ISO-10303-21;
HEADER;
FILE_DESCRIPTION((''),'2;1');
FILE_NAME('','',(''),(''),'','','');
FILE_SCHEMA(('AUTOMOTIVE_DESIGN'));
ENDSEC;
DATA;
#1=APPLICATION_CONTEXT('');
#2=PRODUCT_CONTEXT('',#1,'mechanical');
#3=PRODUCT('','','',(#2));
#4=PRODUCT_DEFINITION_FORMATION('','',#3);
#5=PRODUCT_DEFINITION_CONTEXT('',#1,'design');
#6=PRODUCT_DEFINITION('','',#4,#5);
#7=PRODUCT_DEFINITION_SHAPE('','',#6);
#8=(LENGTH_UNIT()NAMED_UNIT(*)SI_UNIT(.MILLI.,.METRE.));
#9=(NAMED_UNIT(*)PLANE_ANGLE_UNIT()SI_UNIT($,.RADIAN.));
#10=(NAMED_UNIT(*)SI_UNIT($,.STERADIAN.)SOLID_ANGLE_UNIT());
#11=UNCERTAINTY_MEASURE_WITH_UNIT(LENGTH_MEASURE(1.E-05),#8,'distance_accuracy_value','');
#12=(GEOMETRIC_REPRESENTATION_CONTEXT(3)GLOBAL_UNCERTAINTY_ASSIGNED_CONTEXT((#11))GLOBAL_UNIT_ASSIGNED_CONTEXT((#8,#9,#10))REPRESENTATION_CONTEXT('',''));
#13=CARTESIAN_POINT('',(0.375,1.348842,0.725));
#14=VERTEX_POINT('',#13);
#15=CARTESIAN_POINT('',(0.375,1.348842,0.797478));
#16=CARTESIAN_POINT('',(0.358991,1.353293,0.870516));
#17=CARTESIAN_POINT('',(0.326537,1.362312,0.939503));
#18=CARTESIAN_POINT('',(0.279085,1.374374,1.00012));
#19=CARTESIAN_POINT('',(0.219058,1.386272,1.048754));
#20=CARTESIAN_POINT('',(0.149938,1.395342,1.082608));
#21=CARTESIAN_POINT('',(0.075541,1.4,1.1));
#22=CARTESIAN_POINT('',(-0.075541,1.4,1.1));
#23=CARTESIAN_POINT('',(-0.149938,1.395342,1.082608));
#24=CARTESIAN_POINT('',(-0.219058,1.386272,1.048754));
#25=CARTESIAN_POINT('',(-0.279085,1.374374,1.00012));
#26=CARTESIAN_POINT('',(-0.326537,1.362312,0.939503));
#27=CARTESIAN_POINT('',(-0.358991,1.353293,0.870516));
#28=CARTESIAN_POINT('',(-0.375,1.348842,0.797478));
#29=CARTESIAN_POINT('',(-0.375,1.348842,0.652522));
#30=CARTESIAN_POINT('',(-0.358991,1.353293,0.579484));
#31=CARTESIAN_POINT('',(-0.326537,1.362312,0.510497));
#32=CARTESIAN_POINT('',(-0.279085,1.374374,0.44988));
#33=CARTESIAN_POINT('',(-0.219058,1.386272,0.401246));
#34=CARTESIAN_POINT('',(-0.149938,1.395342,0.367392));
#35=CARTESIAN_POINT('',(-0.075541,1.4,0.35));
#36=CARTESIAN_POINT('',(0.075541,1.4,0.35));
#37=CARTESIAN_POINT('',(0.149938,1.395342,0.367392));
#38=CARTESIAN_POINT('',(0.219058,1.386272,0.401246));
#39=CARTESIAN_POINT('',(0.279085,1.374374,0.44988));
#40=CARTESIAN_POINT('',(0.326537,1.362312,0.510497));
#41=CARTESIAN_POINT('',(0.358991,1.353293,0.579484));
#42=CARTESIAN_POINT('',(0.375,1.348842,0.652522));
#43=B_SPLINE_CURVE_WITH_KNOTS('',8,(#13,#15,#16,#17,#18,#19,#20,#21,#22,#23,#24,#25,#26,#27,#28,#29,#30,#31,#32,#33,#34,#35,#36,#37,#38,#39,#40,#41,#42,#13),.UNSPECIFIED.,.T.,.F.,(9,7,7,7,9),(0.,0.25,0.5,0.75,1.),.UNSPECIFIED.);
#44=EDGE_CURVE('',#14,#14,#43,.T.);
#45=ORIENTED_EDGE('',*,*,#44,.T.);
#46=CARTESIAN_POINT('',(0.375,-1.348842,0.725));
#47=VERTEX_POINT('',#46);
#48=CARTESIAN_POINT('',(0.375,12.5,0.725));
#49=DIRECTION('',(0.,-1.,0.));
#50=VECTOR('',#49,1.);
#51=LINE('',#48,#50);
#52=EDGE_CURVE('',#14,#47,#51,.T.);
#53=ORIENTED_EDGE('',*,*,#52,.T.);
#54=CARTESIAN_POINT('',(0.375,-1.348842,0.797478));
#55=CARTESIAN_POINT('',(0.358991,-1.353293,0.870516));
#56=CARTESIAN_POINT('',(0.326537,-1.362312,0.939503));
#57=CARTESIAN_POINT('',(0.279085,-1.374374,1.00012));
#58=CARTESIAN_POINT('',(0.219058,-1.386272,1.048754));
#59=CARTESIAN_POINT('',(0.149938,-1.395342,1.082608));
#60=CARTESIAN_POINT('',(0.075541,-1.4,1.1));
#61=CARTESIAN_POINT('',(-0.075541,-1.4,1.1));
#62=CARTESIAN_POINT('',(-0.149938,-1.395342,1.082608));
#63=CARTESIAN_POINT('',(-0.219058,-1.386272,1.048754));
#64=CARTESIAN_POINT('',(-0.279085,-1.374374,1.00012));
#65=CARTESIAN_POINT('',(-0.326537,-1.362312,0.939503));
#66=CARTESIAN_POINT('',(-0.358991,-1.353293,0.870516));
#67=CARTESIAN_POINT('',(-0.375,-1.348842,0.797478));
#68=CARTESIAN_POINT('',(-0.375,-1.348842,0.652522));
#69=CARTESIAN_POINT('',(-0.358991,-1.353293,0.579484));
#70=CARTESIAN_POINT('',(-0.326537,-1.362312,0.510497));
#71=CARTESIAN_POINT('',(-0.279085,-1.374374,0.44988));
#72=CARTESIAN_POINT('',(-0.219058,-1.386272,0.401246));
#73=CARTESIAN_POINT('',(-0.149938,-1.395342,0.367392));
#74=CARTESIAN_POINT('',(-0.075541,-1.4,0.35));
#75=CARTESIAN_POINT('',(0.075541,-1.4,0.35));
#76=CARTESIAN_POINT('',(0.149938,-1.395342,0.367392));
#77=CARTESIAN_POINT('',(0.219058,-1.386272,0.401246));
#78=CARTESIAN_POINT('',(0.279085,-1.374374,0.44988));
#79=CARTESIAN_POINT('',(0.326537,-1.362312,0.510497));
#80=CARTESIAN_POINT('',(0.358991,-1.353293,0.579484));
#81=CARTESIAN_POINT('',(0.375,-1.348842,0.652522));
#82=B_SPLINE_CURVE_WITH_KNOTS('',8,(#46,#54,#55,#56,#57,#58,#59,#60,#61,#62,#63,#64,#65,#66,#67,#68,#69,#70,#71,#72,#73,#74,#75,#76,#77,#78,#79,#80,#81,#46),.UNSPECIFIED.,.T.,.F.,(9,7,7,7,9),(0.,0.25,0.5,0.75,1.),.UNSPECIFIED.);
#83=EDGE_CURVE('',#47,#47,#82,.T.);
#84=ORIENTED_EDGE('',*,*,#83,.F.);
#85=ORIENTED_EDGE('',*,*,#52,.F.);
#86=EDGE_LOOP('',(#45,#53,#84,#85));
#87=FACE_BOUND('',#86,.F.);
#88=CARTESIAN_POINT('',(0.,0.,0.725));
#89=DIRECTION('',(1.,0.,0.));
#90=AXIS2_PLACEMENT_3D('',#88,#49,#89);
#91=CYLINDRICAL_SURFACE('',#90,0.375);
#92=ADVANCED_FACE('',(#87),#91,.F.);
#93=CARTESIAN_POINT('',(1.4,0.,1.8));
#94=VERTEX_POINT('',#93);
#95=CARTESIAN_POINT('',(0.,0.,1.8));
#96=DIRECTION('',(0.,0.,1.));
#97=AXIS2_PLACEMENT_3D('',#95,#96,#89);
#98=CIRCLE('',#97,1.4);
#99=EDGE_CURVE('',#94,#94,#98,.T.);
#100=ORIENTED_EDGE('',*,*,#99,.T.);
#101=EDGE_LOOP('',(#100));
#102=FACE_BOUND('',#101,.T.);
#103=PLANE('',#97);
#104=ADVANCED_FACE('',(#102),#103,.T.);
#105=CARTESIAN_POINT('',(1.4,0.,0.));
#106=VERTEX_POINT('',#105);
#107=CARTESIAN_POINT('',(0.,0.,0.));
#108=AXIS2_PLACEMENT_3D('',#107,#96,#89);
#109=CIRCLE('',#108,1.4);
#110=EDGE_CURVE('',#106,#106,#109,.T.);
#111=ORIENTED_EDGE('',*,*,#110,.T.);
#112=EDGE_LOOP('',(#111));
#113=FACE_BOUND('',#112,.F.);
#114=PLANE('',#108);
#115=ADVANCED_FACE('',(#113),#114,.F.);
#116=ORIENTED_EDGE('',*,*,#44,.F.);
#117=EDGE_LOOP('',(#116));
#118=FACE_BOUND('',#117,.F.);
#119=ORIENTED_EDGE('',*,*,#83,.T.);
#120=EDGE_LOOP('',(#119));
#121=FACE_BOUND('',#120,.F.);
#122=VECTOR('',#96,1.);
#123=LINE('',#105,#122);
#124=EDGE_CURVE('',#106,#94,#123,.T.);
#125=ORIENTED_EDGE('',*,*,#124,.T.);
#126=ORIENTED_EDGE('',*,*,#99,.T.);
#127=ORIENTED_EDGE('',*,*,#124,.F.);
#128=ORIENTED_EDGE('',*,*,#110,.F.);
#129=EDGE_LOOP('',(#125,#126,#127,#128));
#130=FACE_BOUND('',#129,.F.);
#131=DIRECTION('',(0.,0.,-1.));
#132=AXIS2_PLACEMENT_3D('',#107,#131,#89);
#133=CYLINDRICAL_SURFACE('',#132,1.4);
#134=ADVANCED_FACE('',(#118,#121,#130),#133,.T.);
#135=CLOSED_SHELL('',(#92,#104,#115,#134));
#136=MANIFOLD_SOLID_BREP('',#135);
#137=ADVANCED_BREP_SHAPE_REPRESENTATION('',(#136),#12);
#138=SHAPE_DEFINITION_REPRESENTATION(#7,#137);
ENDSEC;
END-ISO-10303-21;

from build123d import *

# Parameters (mm, degrees)
F0_R     = 1.4
F1_DEPTH = 1.8
F2_R     = 0.375
F3_DEPTH = 12.5


with BuildPart() as f1:
    # F0 (on Top) → F1 (new body)
    with BuildSketch(Plane.XY):
        Circle(F0_R)
    extrude(amount=F1_DEPTH)

    # F2 (on Front) → F3 (cut, symmetric)
    with BuildSketch(Plane.XZ):
        with Locations((0, 0.725)):
            Circle(F2_R)
    extrude(amount=F3_DEPTH, both=True, mode=Mode.SUBTRACT)


solid = f1.part
